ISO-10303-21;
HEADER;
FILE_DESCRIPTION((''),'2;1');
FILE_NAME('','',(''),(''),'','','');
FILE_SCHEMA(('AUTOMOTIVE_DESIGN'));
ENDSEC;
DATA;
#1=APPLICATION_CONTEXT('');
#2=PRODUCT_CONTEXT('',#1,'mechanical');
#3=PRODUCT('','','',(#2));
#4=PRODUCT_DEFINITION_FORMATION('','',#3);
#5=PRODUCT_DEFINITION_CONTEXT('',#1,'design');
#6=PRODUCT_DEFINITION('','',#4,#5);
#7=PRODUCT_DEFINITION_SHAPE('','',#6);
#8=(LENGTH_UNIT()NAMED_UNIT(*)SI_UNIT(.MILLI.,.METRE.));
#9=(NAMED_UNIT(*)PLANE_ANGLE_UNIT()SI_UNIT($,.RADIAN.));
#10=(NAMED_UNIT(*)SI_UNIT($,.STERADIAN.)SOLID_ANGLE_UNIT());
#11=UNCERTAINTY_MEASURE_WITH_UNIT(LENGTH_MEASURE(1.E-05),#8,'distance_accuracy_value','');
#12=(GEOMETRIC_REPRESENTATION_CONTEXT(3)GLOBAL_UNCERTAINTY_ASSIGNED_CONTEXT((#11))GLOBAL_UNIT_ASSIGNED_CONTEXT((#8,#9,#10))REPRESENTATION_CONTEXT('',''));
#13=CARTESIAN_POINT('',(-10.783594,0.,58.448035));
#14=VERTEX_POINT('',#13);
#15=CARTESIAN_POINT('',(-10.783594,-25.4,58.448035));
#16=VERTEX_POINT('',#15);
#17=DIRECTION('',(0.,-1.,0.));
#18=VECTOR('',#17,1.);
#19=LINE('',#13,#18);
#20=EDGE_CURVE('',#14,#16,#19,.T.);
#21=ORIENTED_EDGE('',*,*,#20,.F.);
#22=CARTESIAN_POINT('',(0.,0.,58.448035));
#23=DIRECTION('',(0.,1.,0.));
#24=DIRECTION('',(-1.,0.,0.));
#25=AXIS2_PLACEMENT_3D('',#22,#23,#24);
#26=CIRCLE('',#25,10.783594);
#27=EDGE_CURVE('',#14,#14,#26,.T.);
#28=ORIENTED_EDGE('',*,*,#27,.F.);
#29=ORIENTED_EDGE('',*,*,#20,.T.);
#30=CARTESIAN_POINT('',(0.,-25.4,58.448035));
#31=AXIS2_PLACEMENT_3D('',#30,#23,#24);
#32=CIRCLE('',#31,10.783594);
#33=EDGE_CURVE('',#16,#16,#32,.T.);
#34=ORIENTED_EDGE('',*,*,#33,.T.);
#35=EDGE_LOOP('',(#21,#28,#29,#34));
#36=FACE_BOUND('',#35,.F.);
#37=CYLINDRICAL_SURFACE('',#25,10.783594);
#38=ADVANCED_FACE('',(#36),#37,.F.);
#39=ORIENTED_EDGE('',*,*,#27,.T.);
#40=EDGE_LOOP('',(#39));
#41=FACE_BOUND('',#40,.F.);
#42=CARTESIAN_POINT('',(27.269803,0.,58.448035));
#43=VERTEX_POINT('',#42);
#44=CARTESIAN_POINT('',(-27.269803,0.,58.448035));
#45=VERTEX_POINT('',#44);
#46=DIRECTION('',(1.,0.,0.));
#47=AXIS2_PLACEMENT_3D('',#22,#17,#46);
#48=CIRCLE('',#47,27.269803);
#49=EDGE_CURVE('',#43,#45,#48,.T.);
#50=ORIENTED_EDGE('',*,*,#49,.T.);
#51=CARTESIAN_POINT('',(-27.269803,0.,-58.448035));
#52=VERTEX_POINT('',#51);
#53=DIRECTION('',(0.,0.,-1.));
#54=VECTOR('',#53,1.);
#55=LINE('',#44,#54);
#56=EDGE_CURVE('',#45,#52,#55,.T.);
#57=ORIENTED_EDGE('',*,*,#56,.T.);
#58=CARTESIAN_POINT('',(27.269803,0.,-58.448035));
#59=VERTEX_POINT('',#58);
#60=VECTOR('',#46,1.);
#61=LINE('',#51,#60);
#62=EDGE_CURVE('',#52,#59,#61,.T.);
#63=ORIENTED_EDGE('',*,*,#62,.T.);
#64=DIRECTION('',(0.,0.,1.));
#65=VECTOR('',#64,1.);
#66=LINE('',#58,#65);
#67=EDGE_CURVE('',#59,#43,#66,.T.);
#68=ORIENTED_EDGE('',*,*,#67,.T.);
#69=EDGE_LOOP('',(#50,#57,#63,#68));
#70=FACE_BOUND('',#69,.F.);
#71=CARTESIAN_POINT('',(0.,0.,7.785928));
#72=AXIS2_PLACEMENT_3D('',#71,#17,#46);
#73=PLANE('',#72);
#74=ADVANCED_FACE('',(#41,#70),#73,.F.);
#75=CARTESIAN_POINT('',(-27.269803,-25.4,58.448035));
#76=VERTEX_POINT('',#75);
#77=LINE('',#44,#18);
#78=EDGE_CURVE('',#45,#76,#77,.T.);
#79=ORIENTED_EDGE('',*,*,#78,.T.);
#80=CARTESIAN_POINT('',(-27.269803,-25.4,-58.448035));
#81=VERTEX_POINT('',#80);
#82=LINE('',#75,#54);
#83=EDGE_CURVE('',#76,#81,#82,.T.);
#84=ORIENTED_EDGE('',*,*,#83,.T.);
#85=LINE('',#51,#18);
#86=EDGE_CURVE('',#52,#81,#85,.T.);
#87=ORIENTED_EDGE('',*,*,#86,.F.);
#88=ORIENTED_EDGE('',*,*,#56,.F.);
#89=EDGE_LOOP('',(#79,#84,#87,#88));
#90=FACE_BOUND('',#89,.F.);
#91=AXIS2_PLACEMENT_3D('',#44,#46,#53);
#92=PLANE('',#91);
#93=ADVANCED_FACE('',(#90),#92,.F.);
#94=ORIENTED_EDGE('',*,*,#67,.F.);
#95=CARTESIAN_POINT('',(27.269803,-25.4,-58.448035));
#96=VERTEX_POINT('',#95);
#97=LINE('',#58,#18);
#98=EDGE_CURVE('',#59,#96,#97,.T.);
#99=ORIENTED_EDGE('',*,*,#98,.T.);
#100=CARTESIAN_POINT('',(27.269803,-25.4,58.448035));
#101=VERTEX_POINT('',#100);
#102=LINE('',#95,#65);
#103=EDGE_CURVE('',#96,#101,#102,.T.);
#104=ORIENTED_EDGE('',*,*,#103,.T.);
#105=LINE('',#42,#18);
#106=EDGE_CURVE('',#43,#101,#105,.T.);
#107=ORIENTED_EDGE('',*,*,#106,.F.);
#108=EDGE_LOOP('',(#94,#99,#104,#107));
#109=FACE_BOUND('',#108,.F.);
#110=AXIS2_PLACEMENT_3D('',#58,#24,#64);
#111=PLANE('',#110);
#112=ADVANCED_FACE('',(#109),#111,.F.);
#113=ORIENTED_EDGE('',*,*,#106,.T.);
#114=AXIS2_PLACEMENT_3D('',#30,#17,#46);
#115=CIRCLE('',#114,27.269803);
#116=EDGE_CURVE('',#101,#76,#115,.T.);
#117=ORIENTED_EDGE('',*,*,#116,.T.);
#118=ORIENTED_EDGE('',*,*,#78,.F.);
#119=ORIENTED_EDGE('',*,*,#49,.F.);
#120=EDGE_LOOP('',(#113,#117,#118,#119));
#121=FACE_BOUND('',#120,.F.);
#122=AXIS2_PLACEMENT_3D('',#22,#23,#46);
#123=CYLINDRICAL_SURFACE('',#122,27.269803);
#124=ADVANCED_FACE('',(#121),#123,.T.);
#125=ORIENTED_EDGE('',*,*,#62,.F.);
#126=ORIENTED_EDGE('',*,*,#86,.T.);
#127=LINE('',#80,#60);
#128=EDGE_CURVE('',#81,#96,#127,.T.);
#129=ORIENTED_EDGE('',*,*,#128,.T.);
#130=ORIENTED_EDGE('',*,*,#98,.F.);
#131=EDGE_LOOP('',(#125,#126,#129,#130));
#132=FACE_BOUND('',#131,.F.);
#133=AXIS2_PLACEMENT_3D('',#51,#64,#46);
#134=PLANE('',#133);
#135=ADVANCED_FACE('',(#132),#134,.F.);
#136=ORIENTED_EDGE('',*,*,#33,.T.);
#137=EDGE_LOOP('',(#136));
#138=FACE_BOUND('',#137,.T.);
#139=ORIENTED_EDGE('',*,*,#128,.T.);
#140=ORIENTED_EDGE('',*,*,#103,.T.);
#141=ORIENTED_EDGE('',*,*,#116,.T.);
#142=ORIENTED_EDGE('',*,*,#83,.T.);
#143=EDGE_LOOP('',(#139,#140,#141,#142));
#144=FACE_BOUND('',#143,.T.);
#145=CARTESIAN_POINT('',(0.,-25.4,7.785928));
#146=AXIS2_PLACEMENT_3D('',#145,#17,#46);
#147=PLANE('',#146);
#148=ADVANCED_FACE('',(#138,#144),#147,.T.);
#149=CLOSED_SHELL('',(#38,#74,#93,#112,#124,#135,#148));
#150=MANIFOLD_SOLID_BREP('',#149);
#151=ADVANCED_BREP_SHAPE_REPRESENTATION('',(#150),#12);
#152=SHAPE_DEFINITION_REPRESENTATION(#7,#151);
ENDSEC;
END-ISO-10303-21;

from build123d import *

# Parameters (mm, degrees)
F1_DEPTH = 25.4


with BuildPart() as f1:
    # F0 (on Front) → F1 (new body)
    with BuildSketch(Plane.XZ):
        with BuildLine():
            Line((-27.269803, 58.448035), (-27.269803, -58.448035))
            Line((-27.269803, -58.448035), (27.269803, -58.448035))
            Line((27.269803, -58.448035), (27.269803, 58.448035))
            ThreePointArc((27.269803, 58.448035), (0, 85.717838), (-27.269803, 58.448035))
        make_face()
        with BuildLine():
            ThreePointArc((10.783594, 58.448035), (0, 47.664441), (-10.783594, 58.448035))
            ThreePointArc((-10.783594, 58.448035), (0, 69.231629), (10.783594, 58.448035))
        make_face(mode=Mode.SUBTRACT)
    extrude(amount=F1_DEPTH)


solid = f1.part
